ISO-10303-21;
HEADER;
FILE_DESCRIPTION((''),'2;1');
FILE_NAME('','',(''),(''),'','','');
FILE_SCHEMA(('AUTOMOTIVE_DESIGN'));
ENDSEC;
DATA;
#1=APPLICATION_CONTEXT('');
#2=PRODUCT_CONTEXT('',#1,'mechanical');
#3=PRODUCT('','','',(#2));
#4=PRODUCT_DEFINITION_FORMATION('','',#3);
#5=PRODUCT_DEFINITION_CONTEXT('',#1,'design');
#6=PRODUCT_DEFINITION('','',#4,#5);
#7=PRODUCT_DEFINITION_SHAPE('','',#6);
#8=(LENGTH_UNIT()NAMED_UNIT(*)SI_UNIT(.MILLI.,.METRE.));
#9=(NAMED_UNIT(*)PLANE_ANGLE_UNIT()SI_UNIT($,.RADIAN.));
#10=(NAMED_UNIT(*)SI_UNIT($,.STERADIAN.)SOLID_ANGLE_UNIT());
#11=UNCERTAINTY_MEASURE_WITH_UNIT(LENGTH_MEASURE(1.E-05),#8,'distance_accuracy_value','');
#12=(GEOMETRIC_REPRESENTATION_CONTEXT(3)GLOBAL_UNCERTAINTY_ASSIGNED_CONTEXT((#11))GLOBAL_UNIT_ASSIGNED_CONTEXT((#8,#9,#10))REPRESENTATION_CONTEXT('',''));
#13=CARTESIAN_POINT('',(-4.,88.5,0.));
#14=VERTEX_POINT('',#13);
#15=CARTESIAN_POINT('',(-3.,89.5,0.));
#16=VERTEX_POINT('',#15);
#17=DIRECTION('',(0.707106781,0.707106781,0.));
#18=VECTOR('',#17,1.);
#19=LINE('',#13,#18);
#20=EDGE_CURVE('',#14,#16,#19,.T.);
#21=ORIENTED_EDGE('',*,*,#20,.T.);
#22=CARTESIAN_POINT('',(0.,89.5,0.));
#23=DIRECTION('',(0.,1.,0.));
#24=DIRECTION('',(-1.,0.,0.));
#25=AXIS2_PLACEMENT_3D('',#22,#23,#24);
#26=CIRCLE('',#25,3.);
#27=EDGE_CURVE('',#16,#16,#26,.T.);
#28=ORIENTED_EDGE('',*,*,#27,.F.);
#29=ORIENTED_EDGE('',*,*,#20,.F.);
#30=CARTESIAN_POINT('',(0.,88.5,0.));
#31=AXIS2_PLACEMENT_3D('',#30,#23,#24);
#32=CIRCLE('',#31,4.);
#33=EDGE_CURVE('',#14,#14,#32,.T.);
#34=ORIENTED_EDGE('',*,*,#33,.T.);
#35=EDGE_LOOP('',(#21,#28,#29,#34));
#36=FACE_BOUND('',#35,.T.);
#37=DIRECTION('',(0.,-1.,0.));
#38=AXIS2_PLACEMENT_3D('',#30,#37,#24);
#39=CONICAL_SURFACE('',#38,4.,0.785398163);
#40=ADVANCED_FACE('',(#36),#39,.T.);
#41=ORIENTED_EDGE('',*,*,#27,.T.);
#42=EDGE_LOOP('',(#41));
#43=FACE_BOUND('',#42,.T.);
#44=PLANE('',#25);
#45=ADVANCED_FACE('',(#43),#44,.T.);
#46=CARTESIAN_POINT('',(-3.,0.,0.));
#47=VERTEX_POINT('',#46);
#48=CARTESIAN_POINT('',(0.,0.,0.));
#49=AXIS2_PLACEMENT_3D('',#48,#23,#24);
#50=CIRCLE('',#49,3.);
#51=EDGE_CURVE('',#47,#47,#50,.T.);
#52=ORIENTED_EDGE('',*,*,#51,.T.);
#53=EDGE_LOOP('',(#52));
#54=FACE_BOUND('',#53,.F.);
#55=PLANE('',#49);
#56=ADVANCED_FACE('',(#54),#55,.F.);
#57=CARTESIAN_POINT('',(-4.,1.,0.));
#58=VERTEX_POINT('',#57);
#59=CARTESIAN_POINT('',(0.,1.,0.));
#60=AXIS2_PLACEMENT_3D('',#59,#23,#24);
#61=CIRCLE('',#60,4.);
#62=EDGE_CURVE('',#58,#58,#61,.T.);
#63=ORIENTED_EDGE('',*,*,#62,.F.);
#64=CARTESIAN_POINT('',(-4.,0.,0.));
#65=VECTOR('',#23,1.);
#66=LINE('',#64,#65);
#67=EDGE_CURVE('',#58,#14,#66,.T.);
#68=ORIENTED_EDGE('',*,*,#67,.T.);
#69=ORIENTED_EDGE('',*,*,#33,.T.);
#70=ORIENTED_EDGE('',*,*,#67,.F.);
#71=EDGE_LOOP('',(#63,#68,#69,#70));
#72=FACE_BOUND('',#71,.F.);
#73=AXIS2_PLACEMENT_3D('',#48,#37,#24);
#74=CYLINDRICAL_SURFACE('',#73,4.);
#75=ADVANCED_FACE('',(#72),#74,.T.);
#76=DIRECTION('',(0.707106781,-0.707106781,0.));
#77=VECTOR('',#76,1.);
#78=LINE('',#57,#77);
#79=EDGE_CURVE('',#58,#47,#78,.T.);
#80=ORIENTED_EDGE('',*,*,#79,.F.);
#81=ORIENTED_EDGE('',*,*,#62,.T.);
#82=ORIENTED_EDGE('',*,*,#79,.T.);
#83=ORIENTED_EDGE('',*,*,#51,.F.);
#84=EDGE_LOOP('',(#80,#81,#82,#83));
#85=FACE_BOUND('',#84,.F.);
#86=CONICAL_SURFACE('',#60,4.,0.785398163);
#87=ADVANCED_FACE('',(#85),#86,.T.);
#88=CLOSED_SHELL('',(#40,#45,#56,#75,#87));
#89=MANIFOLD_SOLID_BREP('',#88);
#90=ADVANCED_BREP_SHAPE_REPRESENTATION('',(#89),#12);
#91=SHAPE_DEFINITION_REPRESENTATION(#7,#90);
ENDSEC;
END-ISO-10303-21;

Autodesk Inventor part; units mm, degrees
ref_plane "YZ Plane" through (0, 0, 0) normal (1, 0, 0) x (0, 1, 0)
ref_plane "XZ Plane" through (0, 0, 0) normal (0, 1, 0) x (-1, 0, 0)
ref_plane "XY Plane" through (0, 0, 0) normal (0, 0, 1) x (1, 0, 0)
sketch "Sketch1" plane through (0, 0, 0) normal (0, 1, 0) x (-1, 0, 0)
  circle A0 centre (0, 0) radius 4
  dimension "d0" = 8
extrude "Extrusion1" add sketch "Sketch1" along normal blind 89.5
chamfer "Chamfer1" distance 1 angle 45 2 edges at (4, 0, 0) (4, 89.5, 0)
properties part number "inox_89mm"
